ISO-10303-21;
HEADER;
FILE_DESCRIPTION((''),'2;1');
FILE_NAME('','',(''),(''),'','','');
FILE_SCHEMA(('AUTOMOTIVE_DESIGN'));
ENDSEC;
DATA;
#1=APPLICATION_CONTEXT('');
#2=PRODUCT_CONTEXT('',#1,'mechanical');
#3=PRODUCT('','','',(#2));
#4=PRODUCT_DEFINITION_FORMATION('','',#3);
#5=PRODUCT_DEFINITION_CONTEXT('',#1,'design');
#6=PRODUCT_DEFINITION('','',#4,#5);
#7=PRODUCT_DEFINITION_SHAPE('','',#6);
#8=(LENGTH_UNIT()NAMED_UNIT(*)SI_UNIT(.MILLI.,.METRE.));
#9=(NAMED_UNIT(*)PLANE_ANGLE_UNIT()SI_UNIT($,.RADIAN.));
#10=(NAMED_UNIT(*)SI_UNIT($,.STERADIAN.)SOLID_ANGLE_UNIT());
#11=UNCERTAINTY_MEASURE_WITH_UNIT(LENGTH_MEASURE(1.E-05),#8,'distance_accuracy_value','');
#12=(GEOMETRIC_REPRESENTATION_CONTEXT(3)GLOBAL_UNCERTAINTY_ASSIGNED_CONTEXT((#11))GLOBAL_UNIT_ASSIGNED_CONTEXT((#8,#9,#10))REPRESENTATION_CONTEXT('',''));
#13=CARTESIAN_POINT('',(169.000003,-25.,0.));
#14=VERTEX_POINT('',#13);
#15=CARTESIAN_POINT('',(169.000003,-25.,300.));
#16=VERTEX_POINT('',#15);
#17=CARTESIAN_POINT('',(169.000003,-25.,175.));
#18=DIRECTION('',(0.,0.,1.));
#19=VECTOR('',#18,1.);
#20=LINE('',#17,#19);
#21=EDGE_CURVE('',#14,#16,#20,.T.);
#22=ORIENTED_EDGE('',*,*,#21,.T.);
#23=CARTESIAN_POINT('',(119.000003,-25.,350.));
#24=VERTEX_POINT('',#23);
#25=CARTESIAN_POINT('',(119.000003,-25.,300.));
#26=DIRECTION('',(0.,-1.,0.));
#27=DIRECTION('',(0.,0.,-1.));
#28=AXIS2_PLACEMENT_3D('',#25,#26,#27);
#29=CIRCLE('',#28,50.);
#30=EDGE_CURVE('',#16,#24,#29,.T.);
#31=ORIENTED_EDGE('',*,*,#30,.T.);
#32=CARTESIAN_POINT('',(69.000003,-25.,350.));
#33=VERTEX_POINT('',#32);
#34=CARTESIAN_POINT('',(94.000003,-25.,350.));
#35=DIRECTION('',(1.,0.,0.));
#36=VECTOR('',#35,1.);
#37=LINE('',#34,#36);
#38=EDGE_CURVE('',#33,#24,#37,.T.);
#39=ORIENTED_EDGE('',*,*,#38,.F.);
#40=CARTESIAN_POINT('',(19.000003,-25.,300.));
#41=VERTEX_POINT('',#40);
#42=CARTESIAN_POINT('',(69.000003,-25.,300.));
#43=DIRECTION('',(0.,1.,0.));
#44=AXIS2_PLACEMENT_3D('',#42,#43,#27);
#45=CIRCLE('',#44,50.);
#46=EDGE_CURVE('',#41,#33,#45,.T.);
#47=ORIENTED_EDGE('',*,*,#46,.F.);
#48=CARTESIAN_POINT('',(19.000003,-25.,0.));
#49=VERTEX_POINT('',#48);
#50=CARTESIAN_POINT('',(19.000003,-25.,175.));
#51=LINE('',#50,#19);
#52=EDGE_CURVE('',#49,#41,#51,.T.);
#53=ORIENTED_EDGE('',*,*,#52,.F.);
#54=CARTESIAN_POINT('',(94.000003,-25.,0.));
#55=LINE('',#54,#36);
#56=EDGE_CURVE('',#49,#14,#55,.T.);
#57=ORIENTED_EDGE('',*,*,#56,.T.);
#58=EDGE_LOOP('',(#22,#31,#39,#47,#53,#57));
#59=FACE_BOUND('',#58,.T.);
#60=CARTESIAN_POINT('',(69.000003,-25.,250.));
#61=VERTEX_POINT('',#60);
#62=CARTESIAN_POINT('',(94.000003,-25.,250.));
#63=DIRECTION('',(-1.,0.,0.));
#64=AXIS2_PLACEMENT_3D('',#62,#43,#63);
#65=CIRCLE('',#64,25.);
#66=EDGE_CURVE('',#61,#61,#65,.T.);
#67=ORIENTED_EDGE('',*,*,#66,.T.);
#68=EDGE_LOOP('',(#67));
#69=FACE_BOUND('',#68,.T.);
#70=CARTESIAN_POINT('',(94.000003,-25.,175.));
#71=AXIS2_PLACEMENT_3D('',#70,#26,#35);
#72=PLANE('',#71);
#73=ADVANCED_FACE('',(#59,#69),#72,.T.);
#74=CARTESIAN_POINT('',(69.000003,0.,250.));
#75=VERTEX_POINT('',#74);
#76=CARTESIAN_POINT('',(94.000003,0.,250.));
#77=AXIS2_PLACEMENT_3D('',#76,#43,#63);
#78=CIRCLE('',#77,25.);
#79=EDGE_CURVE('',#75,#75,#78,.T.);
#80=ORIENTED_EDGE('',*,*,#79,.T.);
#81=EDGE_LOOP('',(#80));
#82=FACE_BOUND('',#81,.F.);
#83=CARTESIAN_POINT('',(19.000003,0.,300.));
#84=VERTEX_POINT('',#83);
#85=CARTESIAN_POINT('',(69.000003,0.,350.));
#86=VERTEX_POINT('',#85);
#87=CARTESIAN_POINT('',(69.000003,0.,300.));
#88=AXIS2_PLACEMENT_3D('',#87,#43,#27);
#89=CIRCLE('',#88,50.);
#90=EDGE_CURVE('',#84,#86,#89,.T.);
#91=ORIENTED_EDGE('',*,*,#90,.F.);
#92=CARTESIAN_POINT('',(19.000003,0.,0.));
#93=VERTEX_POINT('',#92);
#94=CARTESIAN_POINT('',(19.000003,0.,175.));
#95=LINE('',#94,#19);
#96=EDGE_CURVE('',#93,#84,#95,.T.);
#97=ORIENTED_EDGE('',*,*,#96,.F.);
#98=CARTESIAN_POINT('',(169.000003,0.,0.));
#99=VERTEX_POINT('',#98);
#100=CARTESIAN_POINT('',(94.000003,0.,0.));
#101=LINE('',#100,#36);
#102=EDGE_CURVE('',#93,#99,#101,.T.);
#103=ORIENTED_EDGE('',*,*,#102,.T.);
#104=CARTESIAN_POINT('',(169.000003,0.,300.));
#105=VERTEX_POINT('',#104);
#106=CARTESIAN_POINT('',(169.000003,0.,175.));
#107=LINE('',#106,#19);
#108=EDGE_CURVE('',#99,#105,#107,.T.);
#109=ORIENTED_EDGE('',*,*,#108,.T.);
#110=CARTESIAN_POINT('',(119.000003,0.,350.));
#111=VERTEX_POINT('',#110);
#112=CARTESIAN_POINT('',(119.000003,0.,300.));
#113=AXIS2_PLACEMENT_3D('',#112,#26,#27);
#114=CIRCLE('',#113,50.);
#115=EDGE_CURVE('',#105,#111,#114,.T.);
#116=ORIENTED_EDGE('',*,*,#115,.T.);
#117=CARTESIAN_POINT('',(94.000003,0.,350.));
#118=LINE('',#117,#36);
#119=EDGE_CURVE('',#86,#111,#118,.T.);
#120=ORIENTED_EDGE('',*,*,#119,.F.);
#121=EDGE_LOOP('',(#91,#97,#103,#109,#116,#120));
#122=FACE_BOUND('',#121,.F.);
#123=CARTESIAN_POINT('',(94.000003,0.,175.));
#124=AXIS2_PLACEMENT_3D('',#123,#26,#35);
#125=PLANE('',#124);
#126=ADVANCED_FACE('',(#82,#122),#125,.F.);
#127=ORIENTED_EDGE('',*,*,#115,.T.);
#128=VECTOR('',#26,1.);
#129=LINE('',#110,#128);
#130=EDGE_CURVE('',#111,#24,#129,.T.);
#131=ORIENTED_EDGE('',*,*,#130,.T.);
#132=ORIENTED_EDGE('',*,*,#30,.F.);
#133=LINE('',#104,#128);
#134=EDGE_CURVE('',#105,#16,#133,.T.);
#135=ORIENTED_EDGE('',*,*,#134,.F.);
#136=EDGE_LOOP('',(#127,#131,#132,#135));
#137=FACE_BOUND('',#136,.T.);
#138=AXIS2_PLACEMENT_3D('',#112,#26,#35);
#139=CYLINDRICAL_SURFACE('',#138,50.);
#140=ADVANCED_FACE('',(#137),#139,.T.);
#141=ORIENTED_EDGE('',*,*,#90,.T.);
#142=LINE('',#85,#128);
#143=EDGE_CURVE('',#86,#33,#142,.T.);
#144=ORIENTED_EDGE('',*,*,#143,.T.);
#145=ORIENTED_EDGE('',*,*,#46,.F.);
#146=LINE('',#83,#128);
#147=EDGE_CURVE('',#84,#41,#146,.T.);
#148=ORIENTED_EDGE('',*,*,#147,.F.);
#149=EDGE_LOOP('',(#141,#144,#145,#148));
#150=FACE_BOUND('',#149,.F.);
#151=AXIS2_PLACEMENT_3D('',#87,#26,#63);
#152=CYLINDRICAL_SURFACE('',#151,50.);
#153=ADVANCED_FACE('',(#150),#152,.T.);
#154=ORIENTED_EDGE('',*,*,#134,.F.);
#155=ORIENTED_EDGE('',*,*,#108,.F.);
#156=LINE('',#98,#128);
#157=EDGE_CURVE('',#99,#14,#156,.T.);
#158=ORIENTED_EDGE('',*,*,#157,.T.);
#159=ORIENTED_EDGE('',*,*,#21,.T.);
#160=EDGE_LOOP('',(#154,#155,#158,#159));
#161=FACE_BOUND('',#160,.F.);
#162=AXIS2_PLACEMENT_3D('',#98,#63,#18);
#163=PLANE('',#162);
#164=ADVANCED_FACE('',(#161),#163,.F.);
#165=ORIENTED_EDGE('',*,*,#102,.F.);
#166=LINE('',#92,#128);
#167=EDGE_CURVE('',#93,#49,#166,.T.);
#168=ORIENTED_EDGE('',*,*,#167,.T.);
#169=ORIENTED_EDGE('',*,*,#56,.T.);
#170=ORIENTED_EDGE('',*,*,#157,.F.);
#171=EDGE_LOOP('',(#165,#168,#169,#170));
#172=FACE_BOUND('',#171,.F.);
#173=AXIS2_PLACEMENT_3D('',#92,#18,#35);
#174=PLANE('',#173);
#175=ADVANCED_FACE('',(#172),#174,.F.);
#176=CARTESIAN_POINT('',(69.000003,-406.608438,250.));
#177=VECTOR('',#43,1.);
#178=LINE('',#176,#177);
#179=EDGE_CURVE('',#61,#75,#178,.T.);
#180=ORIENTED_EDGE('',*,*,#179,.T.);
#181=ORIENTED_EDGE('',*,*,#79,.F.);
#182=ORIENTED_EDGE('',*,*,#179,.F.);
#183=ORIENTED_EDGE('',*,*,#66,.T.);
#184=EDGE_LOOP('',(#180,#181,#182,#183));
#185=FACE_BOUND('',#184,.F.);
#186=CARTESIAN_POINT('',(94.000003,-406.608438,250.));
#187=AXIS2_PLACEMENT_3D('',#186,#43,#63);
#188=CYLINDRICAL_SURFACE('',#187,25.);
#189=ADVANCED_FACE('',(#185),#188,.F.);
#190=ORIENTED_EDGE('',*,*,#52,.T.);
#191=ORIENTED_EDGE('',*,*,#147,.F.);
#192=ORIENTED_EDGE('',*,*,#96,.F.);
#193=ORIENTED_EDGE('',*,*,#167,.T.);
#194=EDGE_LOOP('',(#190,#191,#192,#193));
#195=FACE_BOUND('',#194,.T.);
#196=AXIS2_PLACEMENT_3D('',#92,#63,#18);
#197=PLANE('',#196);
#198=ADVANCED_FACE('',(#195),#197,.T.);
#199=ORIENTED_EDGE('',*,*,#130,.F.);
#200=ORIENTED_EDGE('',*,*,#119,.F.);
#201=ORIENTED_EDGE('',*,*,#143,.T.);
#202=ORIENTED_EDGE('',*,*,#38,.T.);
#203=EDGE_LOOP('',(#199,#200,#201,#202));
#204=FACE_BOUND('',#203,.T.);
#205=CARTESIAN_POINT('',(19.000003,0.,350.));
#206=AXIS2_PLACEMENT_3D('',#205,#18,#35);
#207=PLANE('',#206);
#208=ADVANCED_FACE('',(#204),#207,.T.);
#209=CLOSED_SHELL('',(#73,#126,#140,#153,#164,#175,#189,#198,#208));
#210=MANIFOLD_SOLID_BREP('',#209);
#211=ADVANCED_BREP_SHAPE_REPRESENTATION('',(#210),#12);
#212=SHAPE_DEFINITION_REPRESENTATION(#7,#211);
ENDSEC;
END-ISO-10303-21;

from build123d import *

# Parameters (mm, degrees)
F0_W     = 150
F0_H     = 350
F1_DEPTH = 25
F2_R     = 50
F4_D     = 50


with BuildPart() as f1:
    # F0 (on Front) → F1 (new body)
    with BuildSketch(Plane.XZ):
        with Locations((94.000003, 175)):
            Rectangle(F0_W, F0_H)
    extrude(amount=F1_DEPTH)

    # F2
    f2_edges = [f1.edges().sort_by_distance(p)[0] for p in [
        (19.000003, -12.5, 350),
        (169.000003, -12.5, 350),
    ]]
    fillet(f2_edges, radius=F2_R)

    # F4 (through all)
    with Locations(Plane.XZ.offset(25)):
        with Locations((94.000003, 250)):
            Hole(F4_D / 2)


solid = f1.part
